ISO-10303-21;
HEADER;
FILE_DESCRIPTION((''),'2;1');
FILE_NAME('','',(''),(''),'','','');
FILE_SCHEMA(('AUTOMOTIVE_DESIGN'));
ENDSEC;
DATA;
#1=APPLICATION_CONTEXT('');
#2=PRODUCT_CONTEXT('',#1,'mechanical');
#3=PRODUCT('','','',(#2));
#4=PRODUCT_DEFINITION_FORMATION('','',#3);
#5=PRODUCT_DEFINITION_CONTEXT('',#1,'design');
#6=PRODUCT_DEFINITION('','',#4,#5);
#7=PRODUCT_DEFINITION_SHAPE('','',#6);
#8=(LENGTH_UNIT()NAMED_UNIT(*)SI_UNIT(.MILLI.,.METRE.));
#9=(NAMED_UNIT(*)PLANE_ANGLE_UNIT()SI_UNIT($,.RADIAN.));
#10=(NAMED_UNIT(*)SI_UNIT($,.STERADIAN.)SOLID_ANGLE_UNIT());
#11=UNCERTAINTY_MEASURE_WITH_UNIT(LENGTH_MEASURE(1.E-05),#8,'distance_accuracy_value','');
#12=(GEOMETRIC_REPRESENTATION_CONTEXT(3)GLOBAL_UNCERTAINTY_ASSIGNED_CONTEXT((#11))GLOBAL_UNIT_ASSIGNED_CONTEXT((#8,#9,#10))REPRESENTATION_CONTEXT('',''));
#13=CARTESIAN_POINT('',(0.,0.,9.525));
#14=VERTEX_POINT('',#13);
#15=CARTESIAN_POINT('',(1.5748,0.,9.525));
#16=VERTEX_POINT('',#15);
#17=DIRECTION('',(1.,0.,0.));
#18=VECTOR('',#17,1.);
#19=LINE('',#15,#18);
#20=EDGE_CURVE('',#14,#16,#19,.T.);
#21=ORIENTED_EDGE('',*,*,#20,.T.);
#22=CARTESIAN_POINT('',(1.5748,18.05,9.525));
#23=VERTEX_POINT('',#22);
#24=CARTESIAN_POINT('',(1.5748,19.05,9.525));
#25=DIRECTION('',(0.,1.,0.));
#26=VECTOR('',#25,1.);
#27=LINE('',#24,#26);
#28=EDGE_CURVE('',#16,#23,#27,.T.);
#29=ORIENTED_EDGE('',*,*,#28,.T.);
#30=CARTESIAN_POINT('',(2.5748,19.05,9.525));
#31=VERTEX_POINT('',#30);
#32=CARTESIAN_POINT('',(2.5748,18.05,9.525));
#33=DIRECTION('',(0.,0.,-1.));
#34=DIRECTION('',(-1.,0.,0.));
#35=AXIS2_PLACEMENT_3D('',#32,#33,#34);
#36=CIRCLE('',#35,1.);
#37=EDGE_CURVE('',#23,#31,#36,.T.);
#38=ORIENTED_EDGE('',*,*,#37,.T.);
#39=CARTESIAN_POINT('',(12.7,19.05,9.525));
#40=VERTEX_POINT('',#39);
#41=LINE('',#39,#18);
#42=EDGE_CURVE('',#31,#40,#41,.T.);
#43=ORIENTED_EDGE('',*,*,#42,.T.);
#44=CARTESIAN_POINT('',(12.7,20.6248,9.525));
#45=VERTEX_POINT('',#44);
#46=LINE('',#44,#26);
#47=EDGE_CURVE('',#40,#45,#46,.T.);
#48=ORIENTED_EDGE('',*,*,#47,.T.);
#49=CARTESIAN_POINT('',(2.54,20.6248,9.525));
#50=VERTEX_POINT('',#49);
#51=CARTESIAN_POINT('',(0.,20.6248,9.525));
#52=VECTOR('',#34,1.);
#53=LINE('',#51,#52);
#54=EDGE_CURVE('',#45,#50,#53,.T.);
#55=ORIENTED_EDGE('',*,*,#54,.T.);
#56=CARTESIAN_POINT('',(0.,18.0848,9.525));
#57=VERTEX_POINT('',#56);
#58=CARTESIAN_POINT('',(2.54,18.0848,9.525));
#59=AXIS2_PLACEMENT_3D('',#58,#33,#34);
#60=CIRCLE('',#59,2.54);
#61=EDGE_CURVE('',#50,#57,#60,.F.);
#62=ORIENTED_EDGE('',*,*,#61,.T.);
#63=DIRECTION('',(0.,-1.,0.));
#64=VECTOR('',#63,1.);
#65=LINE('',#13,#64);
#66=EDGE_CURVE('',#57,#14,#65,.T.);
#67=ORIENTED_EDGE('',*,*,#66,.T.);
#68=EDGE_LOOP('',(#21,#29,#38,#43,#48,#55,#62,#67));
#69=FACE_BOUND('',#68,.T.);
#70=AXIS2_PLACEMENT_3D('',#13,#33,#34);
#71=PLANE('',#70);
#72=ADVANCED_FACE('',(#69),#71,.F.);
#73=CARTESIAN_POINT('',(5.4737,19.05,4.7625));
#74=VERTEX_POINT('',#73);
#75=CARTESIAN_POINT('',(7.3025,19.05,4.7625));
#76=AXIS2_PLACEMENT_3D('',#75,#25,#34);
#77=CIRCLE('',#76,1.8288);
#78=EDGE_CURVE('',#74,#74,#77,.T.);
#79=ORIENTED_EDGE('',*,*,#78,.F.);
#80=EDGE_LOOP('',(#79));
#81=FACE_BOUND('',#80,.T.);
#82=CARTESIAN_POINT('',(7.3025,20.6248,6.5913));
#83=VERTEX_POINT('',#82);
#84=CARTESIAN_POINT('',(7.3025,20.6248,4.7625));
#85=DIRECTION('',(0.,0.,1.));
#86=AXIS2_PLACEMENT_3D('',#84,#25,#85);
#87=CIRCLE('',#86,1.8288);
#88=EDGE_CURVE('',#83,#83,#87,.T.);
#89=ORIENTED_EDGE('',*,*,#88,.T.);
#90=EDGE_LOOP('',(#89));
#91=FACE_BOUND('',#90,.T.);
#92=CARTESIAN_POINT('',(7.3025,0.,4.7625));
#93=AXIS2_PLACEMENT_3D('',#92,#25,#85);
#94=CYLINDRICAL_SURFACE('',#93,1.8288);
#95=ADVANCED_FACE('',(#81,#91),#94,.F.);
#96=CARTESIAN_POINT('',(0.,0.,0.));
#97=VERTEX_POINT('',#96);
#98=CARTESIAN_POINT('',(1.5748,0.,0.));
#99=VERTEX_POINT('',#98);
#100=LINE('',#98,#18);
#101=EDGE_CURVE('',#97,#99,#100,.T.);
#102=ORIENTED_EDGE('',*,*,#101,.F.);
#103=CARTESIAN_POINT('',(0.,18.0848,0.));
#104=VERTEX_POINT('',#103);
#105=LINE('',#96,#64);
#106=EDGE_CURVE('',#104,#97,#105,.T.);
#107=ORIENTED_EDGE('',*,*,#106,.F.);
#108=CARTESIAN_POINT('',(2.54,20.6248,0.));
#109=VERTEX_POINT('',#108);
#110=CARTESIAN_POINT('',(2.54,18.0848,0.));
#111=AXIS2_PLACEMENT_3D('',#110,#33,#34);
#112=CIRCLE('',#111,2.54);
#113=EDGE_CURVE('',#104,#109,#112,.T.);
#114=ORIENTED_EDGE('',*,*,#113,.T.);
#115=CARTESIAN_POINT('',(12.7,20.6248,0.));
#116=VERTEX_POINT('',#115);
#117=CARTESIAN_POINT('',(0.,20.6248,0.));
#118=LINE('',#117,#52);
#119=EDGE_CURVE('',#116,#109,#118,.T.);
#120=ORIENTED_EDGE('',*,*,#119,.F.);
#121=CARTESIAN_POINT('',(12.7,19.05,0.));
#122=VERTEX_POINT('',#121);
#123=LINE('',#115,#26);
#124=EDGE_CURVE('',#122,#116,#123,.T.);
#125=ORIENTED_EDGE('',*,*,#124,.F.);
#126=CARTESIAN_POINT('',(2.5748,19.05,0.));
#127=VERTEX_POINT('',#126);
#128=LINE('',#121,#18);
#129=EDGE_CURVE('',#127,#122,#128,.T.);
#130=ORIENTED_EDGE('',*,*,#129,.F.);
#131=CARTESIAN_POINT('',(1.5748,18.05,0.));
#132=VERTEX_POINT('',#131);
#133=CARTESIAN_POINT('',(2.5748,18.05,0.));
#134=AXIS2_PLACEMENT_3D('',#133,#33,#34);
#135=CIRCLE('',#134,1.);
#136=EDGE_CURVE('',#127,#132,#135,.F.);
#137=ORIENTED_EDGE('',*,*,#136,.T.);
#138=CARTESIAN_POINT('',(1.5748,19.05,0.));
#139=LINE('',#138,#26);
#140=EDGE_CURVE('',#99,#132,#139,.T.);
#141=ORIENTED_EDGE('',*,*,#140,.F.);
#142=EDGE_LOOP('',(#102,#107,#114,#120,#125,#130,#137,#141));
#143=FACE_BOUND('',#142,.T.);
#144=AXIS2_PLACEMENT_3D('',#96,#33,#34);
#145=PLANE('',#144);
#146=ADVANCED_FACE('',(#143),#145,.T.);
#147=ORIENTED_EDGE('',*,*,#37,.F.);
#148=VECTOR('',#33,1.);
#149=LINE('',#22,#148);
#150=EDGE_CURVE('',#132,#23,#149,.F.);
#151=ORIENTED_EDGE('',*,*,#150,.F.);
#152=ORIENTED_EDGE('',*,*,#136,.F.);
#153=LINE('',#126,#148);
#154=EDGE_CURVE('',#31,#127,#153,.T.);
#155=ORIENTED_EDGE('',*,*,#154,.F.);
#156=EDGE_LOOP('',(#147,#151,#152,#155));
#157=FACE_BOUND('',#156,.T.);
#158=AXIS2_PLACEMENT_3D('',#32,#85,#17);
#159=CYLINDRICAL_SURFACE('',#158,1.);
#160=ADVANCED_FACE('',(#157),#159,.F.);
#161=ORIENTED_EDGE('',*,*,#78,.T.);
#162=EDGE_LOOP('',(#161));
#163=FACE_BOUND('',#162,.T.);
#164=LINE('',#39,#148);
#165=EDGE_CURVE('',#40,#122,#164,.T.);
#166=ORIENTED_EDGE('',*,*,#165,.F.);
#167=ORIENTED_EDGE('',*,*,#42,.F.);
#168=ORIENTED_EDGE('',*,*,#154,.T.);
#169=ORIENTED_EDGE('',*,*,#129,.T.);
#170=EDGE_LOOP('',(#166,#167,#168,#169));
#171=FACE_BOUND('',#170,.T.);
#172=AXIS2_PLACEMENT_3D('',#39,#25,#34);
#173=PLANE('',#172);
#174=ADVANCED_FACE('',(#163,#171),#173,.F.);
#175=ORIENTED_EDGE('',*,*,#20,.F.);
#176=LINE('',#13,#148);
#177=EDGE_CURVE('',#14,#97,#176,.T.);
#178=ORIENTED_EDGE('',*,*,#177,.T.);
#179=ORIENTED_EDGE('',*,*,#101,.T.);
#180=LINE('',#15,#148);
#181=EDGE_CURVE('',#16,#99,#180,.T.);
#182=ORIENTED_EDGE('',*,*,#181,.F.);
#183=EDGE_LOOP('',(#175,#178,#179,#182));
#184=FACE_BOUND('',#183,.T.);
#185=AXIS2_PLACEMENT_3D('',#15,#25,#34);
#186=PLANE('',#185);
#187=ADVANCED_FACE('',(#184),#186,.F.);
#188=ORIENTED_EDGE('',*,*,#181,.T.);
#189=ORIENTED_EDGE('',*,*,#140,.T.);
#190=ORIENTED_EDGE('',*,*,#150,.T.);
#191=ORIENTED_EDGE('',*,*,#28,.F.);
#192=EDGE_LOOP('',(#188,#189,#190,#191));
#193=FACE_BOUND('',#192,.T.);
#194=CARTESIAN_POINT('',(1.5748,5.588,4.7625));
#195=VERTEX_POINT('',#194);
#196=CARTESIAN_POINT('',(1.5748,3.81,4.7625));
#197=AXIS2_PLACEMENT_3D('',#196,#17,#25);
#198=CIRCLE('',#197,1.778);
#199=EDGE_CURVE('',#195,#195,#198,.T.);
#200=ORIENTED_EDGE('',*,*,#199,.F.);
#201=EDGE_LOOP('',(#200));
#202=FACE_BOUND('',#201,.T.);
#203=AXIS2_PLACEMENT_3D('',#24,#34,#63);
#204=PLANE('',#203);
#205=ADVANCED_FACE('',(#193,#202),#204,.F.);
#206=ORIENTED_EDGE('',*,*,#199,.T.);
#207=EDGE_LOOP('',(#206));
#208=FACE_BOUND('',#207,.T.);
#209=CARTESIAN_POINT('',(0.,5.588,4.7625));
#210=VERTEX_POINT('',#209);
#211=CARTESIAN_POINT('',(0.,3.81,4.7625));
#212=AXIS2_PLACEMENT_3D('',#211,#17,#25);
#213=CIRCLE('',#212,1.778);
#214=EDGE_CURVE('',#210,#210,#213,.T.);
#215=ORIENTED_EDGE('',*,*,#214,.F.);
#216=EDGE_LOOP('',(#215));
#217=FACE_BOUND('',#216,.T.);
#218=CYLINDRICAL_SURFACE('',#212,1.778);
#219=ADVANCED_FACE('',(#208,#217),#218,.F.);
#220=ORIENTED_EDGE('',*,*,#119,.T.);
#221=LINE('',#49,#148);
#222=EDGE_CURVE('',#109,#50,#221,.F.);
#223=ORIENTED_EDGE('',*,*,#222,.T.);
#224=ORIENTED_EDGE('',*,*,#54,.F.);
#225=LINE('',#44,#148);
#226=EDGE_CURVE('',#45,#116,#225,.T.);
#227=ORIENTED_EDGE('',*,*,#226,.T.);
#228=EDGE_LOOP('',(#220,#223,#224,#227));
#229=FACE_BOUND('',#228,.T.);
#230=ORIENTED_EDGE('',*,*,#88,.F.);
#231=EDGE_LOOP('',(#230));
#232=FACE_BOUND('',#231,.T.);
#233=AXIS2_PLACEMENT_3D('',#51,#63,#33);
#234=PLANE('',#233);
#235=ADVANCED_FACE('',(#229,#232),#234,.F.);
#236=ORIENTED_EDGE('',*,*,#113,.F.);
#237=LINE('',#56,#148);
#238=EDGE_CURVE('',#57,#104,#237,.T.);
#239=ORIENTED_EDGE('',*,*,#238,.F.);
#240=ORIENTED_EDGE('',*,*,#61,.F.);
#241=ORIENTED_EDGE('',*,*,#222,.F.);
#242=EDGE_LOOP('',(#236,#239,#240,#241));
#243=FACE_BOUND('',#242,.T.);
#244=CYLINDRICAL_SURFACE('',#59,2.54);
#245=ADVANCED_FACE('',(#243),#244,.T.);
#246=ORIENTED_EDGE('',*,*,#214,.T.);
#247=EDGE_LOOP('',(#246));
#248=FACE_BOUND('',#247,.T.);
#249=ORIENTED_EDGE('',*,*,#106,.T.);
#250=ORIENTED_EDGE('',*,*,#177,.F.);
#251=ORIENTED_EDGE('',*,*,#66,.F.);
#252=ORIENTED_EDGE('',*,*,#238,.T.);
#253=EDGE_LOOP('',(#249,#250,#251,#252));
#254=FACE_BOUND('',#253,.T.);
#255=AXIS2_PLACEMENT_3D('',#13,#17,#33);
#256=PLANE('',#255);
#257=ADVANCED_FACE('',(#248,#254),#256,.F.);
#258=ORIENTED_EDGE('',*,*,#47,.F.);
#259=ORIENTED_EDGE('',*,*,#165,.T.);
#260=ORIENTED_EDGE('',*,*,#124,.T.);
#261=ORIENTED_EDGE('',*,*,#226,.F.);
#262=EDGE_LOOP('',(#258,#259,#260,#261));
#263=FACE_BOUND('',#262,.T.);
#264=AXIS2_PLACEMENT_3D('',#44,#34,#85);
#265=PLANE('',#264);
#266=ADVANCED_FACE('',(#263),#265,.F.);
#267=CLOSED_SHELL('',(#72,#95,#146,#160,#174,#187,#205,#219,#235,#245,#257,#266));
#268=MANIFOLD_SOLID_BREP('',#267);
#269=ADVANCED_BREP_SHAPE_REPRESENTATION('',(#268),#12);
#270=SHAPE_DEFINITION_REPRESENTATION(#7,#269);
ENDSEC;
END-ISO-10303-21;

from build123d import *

# Parameters (mm, degrees)
BOSS_EXTRUDE1_DEPTH = 9.525
FILLET1_R           = 1
FILLET2_R           = 2.54
SKETCH2_R           = 1.778
CUT_EXTRUDE1_DEPTH  = 26.295811414
SKETCH3_R           = 1.8288
CUT_EXTRUDE2_DEPTH  = 27.026870731


with BuildPart() as part:
    # Sketch1 → Boss-Extrude1 (new body)
    with BuildSketch(Plane.XY):
        Polygon((0, 0), (0, 20.6248), (12.7, 20.6248), (12.7, 19.05), (1.5748, 19.05), (1.5748, 0), align=None)
    extrude(amount=BOSS_EXTRUDE1_DEPTH)

    # Fillet1
    fillet1_edges = [part.edges().sort_by_distance(p)[0] for p in [
        (1.5748, 19.05, 4.7625),
    ]]
    fillet(fillet1_edges, radius=FILLET1_R)

    # Fillet2
    fillet2_edges = [part.edges().sort_by_distance(p)[0] for p in [
        (0, 20.6248, 4.7625),
    ]]
    fillet(fillet2_edges, radius=FILLET2_R)

    # Sketch2 → Cut-Extrude1 (cut, through all)
    with BuildSketch(Plane(origin=(1.5748, 0, 0), x_dir=(0, 0, -1), z_dir=(1, 0, 0))):
        with Locations(Location((-4.7625, 3.81, 0), (0, 0, 90))):
            Circle(SKETCH2_R)
    extrude(amount=-CUT_EXTRUDE1_DEPTH, mode=Mode.SUBTRACT)

    # Sketch3 → Cut-Extrude2 (cut, through all)
    with BuildSketch(Plane(origin=(0, 20.6248, 0), x_dir=(1, 0, 0), z_dir=(0, 1, 0))):
        with Locations(Location((7.3025, -4.7625, 0), (0, 0, 270))):
            Circle(SKETCH3_R)
    extrude(amount=-CUT_EXTRUDE2_DEPTH, mode=Mode.SUBTRACT)


solid = part.part
